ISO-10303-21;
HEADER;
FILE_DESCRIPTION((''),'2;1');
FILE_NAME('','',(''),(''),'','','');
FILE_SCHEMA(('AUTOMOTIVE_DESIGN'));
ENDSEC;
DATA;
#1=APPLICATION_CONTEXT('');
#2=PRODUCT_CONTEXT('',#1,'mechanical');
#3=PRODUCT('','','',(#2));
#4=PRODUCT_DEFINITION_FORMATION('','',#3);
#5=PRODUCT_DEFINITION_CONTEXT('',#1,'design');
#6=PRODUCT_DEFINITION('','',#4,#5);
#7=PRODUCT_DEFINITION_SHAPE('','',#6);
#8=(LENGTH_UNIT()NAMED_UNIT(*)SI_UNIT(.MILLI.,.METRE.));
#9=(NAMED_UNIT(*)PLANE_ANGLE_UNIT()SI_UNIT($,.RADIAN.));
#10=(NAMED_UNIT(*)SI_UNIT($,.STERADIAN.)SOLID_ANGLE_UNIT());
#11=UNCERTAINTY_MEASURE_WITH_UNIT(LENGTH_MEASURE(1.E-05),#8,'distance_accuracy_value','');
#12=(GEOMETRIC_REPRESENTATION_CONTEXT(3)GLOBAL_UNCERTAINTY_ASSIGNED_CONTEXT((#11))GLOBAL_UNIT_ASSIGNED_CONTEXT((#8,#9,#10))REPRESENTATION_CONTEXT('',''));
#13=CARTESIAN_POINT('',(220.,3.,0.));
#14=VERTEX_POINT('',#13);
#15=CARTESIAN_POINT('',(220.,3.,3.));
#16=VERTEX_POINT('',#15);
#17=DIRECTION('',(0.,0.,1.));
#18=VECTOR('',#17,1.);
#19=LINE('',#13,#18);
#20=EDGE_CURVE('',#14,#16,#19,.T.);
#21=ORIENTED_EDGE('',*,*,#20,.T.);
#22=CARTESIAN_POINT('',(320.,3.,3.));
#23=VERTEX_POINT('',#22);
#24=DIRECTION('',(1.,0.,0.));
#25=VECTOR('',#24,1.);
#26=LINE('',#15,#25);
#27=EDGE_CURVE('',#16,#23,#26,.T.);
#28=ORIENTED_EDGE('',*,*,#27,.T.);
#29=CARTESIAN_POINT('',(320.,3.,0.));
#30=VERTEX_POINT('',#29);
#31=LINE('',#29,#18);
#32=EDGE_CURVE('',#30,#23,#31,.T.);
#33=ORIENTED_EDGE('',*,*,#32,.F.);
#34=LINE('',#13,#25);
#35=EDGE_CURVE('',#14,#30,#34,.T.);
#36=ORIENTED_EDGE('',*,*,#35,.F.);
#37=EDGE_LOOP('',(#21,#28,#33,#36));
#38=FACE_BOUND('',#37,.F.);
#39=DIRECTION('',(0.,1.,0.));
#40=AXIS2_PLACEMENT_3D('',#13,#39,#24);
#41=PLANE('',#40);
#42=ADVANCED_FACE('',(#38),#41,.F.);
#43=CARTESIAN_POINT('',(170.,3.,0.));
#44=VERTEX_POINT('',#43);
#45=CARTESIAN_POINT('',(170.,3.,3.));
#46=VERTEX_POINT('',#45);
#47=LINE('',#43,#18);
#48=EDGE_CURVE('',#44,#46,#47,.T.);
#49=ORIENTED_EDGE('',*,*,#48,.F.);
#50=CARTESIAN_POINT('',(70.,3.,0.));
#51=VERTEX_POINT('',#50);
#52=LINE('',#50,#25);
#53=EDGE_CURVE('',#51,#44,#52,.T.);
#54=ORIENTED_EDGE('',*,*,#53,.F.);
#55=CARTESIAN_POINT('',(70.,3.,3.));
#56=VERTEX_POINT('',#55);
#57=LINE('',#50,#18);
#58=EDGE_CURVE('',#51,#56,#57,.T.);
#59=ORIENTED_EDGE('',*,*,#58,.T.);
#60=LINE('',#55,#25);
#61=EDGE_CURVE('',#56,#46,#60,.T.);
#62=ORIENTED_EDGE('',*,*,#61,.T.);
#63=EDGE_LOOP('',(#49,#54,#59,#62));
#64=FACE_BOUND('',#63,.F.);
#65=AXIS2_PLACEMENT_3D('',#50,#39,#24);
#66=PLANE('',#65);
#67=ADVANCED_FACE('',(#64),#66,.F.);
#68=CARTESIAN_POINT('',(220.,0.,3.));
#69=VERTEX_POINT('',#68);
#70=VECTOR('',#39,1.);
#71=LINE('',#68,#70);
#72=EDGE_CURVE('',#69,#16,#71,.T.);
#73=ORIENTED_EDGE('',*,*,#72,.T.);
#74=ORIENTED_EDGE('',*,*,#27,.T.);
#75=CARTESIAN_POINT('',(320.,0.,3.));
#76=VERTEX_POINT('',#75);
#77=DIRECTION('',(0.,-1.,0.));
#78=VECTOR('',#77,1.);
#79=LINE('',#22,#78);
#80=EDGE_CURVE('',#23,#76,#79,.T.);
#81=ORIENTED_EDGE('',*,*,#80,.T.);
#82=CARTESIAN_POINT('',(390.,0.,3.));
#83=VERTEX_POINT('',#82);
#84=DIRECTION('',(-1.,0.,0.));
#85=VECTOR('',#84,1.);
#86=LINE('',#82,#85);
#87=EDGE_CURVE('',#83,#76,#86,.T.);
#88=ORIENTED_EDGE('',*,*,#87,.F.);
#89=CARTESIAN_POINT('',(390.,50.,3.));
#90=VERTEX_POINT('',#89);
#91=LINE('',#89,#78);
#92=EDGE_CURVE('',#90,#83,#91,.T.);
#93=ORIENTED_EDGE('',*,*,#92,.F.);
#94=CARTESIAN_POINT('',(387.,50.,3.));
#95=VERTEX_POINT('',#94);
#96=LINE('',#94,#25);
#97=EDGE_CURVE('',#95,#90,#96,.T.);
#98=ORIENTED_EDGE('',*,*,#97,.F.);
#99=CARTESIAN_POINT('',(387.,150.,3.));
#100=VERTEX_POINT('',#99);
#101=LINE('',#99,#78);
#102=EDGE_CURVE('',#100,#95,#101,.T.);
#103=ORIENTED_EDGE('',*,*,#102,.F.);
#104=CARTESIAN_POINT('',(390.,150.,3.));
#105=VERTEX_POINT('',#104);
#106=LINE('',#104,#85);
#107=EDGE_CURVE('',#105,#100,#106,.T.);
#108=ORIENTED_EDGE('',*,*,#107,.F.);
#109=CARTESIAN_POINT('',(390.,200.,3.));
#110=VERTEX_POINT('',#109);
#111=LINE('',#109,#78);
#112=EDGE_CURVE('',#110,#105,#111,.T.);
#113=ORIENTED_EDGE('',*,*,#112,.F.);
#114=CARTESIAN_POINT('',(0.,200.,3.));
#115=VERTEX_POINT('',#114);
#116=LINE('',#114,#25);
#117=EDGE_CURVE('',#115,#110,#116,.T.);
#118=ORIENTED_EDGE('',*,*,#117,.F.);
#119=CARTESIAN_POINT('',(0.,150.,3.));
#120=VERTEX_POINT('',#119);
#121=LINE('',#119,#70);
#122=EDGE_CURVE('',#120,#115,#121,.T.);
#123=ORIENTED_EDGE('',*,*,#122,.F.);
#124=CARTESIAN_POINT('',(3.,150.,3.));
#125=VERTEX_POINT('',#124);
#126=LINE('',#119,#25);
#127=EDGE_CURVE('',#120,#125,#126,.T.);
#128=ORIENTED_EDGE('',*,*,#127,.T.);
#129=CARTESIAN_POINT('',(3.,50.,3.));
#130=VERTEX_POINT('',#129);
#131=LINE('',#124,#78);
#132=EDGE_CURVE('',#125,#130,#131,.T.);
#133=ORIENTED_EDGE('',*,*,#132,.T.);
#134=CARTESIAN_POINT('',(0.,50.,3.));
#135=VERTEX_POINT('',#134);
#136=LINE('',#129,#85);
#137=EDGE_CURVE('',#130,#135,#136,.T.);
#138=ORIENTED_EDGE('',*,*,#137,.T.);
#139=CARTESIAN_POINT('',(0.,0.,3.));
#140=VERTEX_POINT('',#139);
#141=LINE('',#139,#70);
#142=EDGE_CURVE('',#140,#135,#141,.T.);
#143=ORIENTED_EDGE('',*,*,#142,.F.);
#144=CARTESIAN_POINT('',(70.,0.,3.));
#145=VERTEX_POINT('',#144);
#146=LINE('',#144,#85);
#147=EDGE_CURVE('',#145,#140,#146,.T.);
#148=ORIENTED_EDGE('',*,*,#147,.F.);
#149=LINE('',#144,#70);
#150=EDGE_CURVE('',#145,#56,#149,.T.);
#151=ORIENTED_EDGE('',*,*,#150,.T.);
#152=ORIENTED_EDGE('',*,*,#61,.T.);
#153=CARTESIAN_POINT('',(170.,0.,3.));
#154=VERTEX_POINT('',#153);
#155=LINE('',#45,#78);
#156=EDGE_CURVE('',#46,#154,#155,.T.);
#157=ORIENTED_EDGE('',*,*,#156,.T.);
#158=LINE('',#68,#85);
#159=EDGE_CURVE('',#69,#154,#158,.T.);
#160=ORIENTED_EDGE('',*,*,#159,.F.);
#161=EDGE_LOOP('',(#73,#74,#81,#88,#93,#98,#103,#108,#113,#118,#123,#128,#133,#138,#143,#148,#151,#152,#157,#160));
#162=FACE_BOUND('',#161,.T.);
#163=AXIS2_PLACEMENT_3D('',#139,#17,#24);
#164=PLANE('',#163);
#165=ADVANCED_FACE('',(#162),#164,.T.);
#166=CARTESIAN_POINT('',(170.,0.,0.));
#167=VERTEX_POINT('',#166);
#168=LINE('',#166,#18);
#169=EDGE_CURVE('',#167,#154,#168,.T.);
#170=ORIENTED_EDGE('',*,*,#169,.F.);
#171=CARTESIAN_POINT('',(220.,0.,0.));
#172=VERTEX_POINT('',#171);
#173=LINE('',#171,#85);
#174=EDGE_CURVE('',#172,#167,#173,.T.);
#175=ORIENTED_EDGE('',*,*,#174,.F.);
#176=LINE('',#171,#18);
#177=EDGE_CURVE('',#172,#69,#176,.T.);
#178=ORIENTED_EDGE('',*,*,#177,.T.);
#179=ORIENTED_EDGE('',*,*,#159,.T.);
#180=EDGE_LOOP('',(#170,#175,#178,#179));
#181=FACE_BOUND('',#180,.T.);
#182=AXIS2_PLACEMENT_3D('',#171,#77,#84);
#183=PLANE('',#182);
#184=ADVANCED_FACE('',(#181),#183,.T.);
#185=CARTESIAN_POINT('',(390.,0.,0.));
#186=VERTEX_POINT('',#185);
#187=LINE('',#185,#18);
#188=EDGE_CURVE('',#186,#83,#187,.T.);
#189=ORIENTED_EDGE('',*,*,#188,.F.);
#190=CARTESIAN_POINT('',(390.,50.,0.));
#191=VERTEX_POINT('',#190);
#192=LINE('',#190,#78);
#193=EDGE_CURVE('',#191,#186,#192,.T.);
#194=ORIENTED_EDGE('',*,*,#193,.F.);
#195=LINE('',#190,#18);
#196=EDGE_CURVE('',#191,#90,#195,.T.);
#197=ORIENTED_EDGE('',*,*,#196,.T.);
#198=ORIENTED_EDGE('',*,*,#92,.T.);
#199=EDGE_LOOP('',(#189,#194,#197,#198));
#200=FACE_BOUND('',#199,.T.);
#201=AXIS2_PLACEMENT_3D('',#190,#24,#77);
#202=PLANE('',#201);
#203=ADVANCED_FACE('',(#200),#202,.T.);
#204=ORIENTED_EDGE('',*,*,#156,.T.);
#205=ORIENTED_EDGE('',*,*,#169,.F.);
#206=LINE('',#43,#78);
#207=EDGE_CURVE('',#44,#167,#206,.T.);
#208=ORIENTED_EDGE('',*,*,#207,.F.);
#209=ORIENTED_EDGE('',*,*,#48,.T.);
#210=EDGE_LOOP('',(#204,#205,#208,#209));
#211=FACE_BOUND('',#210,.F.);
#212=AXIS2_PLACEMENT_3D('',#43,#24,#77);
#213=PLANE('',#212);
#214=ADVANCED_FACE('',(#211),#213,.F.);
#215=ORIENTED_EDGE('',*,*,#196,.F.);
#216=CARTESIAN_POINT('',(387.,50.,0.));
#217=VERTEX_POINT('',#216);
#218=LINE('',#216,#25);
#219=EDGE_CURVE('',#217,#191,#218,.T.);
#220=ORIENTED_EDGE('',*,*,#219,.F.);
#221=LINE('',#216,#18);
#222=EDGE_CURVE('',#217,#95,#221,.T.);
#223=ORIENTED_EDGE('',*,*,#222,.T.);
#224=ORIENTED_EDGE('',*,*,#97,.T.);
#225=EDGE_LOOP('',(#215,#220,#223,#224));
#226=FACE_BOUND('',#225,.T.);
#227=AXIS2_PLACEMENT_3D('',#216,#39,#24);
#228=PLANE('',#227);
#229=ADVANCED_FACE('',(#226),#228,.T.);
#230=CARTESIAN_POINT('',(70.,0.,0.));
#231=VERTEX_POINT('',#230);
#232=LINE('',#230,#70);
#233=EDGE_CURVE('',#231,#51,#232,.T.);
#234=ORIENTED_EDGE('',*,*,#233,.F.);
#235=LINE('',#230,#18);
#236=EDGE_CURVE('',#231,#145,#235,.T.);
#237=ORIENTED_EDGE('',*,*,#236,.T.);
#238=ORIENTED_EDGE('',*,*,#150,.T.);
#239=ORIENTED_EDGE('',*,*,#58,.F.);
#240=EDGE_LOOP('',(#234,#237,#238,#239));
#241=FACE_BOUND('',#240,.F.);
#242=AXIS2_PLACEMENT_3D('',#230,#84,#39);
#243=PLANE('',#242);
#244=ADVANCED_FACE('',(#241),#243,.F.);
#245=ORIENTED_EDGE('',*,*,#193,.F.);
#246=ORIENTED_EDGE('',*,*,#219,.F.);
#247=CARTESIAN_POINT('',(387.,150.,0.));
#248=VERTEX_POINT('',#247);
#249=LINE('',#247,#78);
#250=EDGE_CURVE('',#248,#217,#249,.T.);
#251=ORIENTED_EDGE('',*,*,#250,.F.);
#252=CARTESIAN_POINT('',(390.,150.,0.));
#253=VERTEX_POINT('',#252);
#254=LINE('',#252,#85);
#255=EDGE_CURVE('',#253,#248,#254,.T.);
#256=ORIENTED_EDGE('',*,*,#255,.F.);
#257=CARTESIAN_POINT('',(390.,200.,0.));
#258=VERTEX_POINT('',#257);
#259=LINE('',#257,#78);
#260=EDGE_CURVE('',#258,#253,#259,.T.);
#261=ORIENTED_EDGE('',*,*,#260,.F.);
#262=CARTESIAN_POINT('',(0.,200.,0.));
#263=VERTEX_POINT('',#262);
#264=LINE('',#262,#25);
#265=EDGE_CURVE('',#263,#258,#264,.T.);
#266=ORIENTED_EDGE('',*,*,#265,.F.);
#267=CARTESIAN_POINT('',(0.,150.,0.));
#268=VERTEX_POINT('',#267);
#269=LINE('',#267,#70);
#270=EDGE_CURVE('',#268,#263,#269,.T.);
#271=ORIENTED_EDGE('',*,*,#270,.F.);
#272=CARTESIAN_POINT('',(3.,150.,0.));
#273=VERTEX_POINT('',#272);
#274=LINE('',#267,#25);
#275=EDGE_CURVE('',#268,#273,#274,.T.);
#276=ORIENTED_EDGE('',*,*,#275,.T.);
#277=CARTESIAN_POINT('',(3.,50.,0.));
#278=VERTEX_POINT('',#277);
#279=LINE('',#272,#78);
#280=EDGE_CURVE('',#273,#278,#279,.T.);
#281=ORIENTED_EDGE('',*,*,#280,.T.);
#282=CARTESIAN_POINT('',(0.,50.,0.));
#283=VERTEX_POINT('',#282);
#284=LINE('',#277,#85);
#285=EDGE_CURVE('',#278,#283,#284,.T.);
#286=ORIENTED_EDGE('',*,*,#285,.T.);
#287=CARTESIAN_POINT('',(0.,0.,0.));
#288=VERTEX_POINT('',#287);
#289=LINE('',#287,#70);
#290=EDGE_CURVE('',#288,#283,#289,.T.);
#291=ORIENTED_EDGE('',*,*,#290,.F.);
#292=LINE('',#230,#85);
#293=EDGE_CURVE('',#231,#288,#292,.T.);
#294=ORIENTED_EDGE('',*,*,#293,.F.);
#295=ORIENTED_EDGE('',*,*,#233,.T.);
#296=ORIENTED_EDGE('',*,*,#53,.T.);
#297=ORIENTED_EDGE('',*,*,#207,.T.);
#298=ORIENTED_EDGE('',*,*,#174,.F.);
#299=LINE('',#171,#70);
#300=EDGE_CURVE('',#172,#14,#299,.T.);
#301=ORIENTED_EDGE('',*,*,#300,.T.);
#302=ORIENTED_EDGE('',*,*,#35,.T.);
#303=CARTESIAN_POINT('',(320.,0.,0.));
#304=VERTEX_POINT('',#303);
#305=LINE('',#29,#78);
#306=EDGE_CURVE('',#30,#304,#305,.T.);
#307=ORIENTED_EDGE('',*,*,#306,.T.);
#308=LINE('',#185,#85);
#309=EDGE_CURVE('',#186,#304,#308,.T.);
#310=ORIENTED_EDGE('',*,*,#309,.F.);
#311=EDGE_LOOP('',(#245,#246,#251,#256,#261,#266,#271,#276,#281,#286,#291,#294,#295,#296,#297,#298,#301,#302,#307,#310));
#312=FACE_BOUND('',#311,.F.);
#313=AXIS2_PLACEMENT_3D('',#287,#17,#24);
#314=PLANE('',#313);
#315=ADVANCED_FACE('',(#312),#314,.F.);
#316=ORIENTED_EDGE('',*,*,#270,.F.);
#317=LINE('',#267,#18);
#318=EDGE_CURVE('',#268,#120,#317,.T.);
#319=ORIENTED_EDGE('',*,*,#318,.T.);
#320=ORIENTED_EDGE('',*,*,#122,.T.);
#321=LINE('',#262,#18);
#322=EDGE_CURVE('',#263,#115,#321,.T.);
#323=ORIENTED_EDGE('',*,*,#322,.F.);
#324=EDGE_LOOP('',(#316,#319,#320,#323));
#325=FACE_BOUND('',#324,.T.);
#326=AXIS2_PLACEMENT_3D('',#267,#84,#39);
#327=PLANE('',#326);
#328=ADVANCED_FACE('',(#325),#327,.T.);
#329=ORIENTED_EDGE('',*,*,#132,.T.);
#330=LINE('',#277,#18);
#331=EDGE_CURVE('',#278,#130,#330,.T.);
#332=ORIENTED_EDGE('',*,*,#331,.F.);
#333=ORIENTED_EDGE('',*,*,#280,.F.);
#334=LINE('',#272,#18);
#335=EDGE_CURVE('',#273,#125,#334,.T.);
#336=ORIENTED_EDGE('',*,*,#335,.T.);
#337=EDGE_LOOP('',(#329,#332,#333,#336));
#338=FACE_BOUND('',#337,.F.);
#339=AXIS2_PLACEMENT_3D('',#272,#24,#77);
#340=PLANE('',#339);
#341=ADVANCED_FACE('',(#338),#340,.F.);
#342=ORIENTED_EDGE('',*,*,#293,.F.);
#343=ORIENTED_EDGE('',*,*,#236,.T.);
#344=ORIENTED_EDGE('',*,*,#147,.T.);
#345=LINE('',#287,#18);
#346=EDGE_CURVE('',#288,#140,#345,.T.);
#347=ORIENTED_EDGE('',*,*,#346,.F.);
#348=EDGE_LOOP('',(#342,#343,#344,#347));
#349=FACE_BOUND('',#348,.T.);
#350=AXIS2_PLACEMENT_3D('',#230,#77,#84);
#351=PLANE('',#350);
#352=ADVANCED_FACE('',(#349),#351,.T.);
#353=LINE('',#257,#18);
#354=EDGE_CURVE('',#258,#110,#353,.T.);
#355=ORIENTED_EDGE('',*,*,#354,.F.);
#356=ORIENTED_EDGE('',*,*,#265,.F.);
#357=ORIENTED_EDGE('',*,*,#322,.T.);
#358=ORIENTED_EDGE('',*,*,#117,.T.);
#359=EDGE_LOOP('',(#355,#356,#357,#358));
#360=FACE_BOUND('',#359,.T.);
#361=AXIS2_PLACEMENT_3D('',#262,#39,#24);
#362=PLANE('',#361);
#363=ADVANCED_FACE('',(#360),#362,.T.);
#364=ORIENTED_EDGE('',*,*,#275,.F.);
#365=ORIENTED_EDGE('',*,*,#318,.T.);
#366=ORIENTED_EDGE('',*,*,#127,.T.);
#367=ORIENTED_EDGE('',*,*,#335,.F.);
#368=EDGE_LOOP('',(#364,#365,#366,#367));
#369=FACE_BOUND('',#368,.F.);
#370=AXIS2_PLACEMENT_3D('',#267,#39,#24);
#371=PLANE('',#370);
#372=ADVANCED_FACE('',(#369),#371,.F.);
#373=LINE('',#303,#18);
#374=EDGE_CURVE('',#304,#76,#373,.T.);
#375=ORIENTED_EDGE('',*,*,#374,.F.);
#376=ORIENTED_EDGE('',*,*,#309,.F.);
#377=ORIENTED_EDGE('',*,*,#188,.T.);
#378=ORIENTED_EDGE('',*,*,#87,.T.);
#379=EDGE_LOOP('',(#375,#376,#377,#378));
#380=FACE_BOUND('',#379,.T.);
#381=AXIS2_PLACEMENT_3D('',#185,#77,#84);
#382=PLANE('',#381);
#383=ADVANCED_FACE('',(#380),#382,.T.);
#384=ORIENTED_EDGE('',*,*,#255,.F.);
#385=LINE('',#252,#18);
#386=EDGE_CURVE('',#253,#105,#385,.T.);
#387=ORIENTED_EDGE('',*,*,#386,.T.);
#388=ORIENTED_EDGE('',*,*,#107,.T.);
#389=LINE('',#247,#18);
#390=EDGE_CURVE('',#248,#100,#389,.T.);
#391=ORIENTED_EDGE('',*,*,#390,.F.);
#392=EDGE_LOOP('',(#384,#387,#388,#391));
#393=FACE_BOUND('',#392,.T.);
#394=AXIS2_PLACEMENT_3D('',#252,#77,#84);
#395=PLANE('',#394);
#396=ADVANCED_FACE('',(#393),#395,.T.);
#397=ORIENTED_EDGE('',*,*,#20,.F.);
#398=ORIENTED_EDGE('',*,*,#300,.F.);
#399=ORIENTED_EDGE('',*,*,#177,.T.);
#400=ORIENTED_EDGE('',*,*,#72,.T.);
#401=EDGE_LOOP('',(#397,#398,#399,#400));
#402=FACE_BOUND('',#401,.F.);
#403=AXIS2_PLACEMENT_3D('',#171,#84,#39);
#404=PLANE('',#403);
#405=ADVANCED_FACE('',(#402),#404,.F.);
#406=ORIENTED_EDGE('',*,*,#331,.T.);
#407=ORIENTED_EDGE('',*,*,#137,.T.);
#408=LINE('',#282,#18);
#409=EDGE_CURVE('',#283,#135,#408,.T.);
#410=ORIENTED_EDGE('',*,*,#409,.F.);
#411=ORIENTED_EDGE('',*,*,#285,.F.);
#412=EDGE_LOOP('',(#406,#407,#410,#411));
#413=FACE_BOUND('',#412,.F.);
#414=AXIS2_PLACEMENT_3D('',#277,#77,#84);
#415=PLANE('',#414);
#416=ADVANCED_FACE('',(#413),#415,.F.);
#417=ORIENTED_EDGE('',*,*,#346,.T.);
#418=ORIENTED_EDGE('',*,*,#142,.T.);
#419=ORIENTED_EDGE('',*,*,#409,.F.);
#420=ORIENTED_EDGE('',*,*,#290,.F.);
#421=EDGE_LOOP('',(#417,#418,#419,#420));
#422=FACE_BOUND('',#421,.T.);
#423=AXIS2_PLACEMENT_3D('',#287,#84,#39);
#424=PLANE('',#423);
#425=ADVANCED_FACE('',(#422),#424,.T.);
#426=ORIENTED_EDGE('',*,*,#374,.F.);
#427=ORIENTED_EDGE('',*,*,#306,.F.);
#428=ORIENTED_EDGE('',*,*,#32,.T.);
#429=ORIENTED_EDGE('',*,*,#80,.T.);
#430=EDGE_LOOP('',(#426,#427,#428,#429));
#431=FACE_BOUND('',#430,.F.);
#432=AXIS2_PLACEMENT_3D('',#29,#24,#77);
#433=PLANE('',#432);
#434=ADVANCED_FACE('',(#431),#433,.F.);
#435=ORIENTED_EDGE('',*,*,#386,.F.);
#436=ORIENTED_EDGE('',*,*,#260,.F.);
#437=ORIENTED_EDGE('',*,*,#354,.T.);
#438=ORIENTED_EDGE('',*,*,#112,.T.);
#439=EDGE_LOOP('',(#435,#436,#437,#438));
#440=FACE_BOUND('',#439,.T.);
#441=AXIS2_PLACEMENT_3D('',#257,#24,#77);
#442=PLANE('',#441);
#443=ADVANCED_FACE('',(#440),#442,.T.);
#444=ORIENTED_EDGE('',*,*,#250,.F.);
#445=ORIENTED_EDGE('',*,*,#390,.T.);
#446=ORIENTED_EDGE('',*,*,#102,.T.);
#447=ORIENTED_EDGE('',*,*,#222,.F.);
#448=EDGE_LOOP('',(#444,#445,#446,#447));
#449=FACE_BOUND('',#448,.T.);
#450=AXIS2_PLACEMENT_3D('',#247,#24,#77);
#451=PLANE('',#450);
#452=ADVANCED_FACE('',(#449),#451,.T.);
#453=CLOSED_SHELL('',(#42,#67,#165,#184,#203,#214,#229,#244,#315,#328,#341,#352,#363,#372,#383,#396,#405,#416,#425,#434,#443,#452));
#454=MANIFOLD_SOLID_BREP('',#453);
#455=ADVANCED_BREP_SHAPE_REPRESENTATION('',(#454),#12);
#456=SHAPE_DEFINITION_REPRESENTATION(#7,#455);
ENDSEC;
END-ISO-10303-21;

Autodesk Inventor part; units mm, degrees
ref_plane "YZ Plane" through (0, 0, 0) normal (1, 0, 0) x (0, 1, 0)
ref_plane "XZ Plane" through (0, 0, 0) normal (0, 1, 0) x (-1, 0, 0)
ref_plane "XY Plane" through (0, 0, 0) normal (0, 0, 1) x (1, 0, 0)
sketch "Boceto1" plane through (0, 0, 0) normal (0, 0, 1) x (1, 0, 0)
  line L0 (0, 200) -> (390, 200)
  line L1 (70, 0) -> (70, 3)
  line L2 (70, 3) -> (170, 3)
  line L3 (170, 3) -> (170, 0)
  line L4 (220, 0) -> (220, 3)
  line L5 (220, 3) -> (320, 3)
  line L6 (320, 3) -> (320, 0)
  line L7 (70, 0) -> (0, 0)
  line L8 (390, 0) -> (320, 0)
  line L9 (220, 0) -> (170, 0)
  line L10 (0, 150) -> (3, 150)
  line L11 (3, 150) -> (3, 50)
  line L12 (3, 50) -> (0, 50)
  line L13 (0, 0) -> (0, 50)
  line L14 (0, 150) -> (0, 200)
  line L15 (390, 150) -> (387, 150)
  line L16 (387, 150) -> (387, 50)
  line L17 (387, 50) -> (390, 50)
  line L18 (390, 200) -> (390, 150)
  line L19 (390, 50) -> (390, 0)
  dimension "d7" = 100
  dimension "d9" = 100
  dimension "d10" = 200
  dimension "d11" = 3
  dimension "d17" = 3
  dimension "d18" = 100
  dimension "d20" = 50
  dimension "d23" = 390
extrude "Extrusión1" add sketch "Boceto1" along normal blind 3
properties part number "Base trasera"
